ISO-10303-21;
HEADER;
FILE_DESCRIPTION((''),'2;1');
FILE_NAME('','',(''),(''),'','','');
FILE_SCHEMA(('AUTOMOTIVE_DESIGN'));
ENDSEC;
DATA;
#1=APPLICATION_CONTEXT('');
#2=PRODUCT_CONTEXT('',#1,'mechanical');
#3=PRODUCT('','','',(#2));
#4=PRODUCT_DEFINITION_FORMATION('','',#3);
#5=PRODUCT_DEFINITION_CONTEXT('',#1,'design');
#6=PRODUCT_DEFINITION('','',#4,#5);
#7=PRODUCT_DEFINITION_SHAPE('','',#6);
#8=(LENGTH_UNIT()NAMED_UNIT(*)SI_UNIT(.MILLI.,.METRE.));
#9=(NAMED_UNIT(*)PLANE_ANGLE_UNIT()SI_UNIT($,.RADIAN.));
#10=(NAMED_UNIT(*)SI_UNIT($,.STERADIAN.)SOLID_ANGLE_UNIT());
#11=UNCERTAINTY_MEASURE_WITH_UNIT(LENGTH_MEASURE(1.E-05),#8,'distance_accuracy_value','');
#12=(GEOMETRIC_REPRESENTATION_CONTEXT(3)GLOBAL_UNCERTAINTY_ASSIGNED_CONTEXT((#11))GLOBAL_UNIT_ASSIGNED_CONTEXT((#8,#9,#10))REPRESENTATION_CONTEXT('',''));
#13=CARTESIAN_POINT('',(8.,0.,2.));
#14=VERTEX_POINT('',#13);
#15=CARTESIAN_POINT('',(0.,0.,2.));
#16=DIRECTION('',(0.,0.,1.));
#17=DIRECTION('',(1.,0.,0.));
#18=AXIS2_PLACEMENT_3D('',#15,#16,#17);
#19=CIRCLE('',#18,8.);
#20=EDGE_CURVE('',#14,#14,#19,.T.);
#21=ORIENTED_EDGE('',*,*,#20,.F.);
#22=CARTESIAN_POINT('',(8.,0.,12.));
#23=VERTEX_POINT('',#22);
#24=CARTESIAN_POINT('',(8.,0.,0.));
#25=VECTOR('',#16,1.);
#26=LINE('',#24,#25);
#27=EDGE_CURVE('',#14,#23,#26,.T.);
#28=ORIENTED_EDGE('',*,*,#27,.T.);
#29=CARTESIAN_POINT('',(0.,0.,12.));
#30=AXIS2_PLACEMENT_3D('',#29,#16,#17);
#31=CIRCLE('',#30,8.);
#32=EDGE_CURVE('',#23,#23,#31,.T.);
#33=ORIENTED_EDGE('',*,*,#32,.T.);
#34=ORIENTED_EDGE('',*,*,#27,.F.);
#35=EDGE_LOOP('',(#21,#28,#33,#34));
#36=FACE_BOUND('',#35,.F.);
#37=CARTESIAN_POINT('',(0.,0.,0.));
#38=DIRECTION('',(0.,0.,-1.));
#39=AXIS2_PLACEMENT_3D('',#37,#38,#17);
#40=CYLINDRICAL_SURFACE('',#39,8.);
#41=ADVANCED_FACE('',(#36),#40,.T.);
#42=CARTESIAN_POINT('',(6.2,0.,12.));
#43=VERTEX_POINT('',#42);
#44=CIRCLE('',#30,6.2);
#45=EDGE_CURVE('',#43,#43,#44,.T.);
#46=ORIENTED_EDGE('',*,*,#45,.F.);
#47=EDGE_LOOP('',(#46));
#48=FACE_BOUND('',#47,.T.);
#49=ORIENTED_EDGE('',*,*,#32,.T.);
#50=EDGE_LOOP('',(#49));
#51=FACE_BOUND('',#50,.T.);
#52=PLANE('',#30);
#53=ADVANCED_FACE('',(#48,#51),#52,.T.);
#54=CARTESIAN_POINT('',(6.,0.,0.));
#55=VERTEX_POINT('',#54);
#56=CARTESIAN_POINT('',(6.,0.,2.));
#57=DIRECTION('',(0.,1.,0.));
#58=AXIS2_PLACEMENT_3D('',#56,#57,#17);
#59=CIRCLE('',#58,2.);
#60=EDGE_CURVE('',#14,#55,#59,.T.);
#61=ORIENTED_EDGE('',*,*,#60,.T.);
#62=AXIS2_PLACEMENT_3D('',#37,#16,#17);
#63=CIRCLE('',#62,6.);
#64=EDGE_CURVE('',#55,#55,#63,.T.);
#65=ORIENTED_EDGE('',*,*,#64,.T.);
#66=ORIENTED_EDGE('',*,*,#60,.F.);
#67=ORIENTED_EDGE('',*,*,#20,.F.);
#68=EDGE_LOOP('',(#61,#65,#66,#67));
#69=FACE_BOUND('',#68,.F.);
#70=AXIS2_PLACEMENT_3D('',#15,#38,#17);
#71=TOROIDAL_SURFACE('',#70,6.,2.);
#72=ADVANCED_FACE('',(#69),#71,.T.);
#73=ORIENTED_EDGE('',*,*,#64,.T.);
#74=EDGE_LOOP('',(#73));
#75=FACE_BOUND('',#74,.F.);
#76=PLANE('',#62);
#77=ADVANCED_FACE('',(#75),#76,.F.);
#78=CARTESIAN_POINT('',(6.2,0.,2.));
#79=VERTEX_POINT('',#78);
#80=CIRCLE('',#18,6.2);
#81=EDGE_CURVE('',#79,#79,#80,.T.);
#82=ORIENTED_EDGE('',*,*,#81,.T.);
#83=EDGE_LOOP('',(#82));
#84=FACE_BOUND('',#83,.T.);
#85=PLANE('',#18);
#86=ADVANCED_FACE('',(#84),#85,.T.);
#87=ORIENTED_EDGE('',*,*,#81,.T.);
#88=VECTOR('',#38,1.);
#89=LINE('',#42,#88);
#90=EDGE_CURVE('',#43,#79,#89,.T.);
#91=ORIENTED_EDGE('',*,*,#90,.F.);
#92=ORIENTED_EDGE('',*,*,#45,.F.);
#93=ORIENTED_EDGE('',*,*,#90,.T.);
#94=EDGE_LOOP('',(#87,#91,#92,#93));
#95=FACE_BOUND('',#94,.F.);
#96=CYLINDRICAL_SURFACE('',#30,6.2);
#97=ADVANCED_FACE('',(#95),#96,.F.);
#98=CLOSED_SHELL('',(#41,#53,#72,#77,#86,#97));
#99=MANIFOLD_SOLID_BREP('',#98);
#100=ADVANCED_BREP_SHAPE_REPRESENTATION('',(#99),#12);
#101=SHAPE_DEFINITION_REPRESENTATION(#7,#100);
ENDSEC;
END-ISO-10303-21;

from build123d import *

# Parameters (mm, degrees)
CYLINDER_R     = 8
CYLINDER_DEPTH = 12
SKETCH_R       = 6.2
POCKET_DEPTH   = 10
FILLET_R       = 2


with BuildPart() as part:
    # Cylinder → Cylinder (new body)
    with BuildSketch(Plane.XY):
        Circle(CYLINDER_R)
    extrude(amount=CYLINDER_DEPTH)

    # Sketch → Pocket (cut)
    with BuildSketch(Plane.XY.offset(12)):
        Circle(SKETCH_R)
    extrude(amount=-POCKET_DEPTH, mode=Mode.SUBTRACT)

    # Fillet
    fillet_edges = [part.edges().sort_by_distance(p)[0] for p in [
        (-8, 0, 0),
    ]]
    fillet(fillet_edges, radius=FILLET_R)


solid = part.part
